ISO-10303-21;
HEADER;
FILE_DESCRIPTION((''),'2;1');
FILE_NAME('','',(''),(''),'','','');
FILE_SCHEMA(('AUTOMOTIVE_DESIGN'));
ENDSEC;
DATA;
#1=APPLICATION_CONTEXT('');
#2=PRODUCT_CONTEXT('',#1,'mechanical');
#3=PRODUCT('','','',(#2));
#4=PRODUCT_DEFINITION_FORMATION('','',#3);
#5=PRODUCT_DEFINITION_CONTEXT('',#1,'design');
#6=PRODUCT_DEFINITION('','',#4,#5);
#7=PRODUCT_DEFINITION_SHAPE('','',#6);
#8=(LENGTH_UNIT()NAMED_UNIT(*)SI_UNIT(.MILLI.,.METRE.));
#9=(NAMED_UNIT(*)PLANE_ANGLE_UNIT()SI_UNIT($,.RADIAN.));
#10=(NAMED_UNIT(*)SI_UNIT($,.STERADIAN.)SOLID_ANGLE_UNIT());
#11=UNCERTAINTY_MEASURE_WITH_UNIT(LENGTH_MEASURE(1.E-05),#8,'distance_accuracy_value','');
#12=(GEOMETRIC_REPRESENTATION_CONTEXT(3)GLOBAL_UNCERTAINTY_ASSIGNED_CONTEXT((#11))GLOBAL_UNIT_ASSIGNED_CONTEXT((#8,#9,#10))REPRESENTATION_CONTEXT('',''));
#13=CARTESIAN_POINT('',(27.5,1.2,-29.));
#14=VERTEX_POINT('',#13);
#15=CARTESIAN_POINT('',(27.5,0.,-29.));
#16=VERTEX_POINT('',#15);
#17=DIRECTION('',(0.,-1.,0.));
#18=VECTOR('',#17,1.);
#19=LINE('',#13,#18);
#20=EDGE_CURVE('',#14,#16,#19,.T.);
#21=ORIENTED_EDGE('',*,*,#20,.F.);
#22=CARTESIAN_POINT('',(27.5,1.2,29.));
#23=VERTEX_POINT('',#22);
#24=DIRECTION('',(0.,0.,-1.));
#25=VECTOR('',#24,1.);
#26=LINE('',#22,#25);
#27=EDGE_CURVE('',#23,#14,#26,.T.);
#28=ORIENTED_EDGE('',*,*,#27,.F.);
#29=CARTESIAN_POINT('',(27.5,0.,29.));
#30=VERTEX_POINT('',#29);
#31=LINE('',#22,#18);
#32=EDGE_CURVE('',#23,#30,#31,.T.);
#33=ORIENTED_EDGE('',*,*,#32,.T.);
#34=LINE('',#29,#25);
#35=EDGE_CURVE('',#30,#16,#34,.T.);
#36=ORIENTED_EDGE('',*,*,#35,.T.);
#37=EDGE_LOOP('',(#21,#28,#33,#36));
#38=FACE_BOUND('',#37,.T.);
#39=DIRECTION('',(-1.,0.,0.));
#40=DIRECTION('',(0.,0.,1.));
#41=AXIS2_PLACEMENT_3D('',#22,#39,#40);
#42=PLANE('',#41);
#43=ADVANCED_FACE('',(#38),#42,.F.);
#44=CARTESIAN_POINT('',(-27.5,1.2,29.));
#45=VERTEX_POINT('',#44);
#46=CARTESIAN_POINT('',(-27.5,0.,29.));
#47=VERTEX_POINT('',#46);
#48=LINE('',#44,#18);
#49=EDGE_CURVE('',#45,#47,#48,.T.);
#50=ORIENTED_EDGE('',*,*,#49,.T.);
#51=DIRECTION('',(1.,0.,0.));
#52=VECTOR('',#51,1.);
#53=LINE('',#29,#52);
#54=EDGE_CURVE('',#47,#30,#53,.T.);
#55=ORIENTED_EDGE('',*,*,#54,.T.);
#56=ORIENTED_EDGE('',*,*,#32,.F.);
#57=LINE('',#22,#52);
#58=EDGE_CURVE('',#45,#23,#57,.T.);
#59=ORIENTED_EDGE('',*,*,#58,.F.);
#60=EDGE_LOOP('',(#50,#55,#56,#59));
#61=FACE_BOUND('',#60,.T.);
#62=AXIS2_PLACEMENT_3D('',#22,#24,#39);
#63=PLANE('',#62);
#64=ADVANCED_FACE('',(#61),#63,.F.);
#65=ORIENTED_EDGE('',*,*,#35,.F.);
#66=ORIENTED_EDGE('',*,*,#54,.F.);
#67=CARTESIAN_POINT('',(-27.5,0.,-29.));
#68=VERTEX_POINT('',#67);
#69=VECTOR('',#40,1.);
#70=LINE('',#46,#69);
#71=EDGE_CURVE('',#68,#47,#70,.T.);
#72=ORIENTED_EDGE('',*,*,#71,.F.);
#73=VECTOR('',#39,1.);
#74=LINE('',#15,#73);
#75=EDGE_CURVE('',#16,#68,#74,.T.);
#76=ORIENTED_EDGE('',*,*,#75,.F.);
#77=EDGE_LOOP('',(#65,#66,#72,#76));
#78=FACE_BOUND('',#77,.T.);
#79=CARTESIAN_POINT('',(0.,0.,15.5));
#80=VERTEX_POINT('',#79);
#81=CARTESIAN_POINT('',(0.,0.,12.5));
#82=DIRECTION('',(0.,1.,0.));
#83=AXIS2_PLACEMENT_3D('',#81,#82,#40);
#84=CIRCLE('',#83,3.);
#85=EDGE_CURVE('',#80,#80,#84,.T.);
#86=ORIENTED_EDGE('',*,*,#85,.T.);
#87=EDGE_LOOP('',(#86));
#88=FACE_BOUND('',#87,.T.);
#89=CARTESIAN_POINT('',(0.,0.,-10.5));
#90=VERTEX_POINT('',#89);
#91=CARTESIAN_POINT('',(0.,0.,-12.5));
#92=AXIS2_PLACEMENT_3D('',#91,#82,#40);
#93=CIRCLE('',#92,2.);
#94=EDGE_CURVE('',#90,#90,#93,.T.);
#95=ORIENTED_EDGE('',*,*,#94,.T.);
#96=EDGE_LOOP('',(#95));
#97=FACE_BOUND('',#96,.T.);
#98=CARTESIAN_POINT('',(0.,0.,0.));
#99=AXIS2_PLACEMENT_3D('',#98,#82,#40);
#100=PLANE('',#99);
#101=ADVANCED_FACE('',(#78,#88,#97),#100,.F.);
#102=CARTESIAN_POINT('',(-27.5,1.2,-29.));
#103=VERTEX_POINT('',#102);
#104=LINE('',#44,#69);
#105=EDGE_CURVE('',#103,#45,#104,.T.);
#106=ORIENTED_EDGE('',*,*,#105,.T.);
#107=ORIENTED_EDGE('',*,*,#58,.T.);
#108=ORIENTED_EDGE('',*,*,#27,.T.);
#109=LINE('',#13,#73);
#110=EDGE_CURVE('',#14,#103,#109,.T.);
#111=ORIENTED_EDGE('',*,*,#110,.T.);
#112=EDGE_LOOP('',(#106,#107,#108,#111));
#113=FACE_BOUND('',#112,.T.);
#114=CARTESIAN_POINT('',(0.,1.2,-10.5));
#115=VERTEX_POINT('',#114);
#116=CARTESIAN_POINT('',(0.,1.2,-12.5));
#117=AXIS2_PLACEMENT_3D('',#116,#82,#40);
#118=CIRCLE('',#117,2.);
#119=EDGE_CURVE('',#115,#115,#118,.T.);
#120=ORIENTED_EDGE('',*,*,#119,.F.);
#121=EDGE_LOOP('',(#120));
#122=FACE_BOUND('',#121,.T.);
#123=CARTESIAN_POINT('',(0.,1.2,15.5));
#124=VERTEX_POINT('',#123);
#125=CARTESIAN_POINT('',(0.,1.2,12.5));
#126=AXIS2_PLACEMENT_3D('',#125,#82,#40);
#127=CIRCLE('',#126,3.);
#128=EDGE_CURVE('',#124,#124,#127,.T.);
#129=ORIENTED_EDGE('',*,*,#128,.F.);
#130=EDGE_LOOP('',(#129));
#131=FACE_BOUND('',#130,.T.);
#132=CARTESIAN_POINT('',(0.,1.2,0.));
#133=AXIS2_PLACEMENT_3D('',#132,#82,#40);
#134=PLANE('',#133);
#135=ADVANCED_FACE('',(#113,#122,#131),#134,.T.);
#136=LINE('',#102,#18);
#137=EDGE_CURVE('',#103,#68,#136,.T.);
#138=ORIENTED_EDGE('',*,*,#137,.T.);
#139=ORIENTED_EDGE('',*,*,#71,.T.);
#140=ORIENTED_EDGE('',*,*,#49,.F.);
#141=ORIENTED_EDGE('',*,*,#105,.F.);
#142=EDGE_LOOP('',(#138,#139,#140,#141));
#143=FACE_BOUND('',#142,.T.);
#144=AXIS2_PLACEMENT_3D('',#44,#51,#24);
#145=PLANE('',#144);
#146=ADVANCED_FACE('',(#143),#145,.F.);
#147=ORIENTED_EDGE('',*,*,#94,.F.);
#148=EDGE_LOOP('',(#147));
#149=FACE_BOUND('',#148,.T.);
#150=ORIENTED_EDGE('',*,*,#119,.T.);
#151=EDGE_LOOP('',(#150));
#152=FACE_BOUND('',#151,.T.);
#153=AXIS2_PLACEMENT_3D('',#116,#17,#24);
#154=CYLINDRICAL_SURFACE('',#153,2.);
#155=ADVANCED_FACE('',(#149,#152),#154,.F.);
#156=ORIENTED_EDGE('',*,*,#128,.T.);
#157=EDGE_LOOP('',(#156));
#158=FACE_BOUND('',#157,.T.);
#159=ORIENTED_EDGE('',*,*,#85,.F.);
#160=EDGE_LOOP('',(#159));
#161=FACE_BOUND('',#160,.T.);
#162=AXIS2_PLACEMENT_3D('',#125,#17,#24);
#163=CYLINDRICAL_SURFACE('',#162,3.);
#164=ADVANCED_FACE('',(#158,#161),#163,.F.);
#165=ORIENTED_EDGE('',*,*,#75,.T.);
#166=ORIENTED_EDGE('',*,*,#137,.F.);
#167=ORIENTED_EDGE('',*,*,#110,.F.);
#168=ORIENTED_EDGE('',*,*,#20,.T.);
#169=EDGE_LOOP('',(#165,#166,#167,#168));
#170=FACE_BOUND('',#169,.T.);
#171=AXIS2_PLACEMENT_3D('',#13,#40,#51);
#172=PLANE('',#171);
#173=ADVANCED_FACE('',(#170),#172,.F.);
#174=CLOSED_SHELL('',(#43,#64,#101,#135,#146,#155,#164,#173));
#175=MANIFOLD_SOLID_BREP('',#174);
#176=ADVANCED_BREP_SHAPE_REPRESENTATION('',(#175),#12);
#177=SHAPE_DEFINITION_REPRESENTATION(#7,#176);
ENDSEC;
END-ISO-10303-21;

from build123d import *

# Parameters (mm, degrees)
SKETCH1_W           = 55
SKETCH1_H           = 58
SKETCH1_R           = 3
SKETCH1_R_2         = 2
BOSS_EXTRUDE1_DEPTH = 1.2


with BuildPart() as part:
    # Sketch1 → Boss-Extrude1 (new body)
    with BuildSketch(Plane(origin=(0, 0, 0), x_dir=(1, 0, 0), z_dir=(0, 1, 0))):
        Rectangle(SKETCH1_W, SKETCH1_H)
        with Locations(Location((0, -12.5, 0), (0, 0, 270))):
            Circle(SKETCH1_R, mode=Mode.SUBTRACT)
        with Locations(Location((0, 12.5, 0), (0, 0, 270))):
            Circle(SKETCH1_R_2, mode=Mode.SUBTRACT)
    extrude(amount=BOSS_EXTRUDE1_DEPTH)


solid = part.part
